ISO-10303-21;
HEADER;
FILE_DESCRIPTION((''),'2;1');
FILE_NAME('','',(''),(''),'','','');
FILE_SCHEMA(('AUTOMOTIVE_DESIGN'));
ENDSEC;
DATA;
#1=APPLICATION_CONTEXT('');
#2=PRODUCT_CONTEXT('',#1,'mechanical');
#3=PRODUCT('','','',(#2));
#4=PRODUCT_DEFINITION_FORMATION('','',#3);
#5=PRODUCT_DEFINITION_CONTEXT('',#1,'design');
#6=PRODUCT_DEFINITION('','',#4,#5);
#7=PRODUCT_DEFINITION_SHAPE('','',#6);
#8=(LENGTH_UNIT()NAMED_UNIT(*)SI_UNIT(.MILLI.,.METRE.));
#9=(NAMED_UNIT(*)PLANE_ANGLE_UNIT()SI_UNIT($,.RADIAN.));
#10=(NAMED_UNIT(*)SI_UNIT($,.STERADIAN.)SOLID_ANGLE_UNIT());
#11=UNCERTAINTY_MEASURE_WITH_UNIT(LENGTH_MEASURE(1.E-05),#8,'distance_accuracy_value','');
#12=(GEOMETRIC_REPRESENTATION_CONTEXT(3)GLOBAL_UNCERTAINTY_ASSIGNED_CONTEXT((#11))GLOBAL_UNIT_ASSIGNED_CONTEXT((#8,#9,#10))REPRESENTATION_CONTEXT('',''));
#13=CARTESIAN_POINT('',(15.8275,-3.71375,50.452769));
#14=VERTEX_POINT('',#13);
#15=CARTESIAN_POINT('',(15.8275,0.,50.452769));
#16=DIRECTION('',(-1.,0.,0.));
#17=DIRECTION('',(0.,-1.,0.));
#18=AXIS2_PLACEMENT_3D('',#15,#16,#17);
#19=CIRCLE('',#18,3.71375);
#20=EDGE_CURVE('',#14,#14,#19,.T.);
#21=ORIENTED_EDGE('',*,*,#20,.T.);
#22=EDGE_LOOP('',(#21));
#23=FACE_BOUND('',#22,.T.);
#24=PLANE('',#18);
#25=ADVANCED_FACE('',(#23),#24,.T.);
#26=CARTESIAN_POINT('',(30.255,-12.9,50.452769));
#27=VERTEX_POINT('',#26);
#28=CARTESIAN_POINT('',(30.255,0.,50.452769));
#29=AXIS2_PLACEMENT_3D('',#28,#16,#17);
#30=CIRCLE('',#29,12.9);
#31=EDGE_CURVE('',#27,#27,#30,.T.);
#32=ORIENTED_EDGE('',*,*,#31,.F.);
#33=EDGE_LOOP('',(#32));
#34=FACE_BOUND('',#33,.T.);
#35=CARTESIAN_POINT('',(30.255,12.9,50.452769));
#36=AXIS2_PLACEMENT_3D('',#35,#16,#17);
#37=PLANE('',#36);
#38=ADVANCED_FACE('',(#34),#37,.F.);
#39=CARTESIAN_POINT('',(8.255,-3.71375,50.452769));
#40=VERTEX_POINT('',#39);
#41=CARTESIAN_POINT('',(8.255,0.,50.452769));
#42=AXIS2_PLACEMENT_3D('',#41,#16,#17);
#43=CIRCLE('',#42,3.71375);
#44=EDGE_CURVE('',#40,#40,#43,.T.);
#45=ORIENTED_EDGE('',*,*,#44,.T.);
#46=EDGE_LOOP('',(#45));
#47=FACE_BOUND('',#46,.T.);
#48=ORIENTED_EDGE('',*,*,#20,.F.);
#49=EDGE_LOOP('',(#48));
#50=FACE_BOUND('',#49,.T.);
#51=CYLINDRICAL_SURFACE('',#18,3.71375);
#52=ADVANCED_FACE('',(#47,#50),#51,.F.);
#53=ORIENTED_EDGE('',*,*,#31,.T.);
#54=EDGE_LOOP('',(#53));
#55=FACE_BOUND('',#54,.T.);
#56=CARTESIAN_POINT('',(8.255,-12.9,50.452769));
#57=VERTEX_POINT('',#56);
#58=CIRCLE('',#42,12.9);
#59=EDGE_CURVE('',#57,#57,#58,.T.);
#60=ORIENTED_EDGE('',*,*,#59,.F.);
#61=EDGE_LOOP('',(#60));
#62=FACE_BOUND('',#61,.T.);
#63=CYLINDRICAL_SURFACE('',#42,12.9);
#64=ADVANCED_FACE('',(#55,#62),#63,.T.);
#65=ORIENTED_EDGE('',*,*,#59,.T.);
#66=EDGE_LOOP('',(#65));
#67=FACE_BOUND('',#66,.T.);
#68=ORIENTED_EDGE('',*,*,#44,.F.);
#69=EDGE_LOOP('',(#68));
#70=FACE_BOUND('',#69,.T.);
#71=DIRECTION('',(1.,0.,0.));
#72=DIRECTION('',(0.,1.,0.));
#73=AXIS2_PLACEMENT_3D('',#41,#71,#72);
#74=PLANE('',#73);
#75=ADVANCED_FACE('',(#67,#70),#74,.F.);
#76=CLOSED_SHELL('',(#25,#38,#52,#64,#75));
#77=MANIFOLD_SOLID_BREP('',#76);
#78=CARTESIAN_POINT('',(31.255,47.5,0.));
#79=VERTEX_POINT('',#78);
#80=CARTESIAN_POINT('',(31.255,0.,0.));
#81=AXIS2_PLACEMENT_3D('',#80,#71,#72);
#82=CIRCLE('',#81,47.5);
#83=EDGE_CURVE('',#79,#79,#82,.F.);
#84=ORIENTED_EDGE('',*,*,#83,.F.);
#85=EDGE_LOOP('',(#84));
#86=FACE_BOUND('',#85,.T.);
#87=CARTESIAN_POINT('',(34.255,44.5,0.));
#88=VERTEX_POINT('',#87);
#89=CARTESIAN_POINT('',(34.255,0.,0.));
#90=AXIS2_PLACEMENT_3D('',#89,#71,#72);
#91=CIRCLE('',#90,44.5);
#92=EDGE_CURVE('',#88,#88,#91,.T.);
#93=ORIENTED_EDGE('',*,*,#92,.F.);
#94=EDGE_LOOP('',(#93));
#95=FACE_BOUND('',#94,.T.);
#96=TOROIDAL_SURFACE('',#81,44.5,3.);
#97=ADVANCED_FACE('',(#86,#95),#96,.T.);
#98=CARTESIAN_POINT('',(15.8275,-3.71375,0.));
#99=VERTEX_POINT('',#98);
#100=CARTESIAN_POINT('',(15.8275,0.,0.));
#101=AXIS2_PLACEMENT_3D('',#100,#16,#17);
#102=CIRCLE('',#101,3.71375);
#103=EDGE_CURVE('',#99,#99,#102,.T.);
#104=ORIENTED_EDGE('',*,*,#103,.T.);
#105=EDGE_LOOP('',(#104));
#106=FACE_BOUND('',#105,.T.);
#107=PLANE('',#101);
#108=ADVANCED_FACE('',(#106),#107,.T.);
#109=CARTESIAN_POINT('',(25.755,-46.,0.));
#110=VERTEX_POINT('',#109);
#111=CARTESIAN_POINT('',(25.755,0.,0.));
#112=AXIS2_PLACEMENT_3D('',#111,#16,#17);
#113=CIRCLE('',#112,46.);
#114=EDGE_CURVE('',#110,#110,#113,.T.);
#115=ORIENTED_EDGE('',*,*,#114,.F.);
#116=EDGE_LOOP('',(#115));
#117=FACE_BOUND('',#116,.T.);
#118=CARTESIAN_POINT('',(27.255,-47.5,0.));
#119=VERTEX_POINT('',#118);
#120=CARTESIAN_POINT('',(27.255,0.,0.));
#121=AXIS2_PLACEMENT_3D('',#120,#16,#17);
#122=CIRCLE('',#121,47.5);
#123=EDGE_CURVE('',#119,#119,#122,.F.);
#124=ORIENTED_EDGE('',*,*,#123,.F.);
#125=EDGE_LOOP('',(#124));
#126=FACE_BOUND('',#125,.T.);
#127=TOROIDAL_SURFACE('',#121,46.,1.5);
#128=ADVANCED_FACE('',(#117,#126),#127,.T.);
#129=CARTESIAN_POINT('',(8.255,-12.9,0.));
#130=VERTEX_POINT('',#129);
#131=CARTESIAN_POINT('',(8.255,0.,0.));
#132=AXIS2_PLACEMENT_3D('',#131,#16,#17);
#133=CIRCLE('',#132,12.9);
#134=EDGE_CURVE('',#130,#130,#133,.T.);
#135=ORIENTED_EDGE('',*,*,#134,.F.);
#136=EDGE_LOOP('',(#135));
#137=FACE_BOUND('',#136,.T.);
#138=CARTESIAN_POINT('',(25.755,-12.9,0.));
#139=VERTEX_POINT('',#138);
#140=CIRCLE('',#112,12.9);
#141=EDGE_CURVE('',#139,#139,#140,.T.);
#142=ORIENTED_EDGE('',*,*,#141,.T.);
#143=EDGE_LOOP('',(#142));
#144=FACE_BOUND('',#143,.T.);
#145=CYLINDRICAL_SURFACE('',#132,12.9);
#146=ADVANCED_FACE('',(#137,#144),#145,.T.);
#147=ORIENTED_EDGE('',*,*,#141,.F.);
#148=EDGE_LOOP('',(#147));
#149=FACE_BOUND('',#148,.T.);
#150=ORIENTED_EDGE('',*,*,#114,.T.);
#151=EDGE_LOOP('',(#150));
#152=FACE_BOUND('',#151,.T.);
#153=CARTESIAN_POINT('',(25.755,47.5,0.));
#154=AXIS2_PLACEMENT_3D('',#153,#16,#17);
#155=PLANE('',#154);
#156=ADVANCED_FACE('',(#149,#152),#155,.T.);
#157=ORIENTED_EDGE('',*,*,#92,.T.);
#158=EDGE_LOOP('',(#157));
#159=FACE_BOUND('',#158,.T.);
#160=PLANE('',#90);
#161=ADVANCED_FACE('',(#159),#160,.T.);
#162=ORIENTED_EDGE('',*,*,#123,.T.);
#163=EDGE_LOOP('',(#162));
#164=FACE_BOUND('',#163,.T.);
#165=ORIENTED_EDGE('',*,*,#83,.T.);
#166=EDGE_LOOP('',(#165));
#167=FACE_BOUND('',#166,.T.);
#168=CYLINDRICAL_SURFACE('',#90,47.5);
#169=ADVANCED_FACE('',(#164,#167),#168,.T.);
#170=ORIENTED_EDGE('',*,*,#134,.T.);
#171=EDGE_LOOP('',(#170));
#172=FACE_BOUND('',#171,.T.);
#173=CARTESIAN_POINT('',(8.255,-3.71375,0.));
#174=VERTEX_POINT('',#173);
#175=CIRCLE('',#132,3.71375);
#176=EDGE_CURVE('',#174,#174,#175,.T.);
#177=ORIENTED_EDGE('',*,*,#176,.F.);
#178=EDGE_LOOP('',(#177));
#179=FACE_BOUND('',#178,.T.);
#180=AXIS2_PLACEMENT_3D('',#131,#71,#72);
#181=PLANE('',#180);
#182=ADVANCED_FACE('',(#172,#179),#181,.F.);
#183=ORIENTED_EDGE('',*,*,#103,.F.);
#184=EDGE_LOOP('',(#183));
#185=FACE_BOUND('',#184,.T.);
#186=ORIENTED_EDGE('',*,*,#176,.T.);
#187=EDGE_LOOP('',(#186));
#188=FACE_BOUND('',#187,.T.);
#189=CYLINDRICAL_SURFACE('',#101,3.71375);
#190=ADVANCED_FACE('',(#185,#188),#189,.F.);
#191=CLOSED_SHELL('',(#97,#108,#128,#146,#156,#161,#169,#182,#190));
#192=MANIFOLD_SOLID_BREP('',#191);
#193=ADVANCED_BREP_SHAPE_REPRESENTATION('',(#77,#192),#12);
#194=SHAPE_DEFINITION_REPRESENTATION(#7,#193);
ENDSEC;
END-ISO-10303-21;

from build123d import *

# Parameters (mm, degrees)
SKETCH1_W          = 22
SKETCH1_H          = 12.9
SKETCH2_R          = 3.71375
CUT_EXTRUDE1_DEPTH = 7.5725
SKETCH5_W          = 8.5
SKETCH5_H          = 47.5
FILLET1_R          = 3
FILLET2_R          = 1.5


with BuildPart() as part:
    # Sketch1 → Revolve1 (revolve)
    with BuildSketch(Plane.XY):
        with Locations((19.255, 6.45)):
            Rectangle(SKETCH1_W, SKETCH1_H)
    revolve(axis=Axis((8.255, 0, 0), (1, 0, 0)))

    # Sketch2 → Cut-Extrude1 (cut)
    with BuildSketch(Plane.ZY.offset(-8.255)):
        Circle(SKETCH2_R)
    extrude(amount=-CUT_EXTRUDE1_DEPTH, mode=Mode.SUBTRACT)


with BuildPart() as body_2:
    # Body-Move/Copy1: copy of part
    add(part.part.moved(Location((0, 0, 50.452769062))))


with BuildPart() as part_1:
    add(part.part)

    # Sketch5 → Revolve2 (revolve)
    with BuildSketch(Plane.XY):
        with Locations((30.005, 23.75)):
            Rectangle(SKETCH5_W, SKETCH5_H)
    revolve(axis=Axis((34.255, 0, 0), (-1, 0, 0)))

    # Fillet1
    fillet1_edges = [part_1.edges().sort_by_distance(p)[0] for p in [
        (34.255, -47.5, 0),
    ]]
    fillet(fillet1_edges, radius=FILLET1_R)

    # Fillet2
    fillet2_edges = [part_1.edges().sort_by_distance(p)[0] for p in [
        (25.755, -47.5, 0),
    ]]
    fillet(fillet2_edges, radius=FILLET2_R)


solid = Compound([body_2.part, part_1.part])
